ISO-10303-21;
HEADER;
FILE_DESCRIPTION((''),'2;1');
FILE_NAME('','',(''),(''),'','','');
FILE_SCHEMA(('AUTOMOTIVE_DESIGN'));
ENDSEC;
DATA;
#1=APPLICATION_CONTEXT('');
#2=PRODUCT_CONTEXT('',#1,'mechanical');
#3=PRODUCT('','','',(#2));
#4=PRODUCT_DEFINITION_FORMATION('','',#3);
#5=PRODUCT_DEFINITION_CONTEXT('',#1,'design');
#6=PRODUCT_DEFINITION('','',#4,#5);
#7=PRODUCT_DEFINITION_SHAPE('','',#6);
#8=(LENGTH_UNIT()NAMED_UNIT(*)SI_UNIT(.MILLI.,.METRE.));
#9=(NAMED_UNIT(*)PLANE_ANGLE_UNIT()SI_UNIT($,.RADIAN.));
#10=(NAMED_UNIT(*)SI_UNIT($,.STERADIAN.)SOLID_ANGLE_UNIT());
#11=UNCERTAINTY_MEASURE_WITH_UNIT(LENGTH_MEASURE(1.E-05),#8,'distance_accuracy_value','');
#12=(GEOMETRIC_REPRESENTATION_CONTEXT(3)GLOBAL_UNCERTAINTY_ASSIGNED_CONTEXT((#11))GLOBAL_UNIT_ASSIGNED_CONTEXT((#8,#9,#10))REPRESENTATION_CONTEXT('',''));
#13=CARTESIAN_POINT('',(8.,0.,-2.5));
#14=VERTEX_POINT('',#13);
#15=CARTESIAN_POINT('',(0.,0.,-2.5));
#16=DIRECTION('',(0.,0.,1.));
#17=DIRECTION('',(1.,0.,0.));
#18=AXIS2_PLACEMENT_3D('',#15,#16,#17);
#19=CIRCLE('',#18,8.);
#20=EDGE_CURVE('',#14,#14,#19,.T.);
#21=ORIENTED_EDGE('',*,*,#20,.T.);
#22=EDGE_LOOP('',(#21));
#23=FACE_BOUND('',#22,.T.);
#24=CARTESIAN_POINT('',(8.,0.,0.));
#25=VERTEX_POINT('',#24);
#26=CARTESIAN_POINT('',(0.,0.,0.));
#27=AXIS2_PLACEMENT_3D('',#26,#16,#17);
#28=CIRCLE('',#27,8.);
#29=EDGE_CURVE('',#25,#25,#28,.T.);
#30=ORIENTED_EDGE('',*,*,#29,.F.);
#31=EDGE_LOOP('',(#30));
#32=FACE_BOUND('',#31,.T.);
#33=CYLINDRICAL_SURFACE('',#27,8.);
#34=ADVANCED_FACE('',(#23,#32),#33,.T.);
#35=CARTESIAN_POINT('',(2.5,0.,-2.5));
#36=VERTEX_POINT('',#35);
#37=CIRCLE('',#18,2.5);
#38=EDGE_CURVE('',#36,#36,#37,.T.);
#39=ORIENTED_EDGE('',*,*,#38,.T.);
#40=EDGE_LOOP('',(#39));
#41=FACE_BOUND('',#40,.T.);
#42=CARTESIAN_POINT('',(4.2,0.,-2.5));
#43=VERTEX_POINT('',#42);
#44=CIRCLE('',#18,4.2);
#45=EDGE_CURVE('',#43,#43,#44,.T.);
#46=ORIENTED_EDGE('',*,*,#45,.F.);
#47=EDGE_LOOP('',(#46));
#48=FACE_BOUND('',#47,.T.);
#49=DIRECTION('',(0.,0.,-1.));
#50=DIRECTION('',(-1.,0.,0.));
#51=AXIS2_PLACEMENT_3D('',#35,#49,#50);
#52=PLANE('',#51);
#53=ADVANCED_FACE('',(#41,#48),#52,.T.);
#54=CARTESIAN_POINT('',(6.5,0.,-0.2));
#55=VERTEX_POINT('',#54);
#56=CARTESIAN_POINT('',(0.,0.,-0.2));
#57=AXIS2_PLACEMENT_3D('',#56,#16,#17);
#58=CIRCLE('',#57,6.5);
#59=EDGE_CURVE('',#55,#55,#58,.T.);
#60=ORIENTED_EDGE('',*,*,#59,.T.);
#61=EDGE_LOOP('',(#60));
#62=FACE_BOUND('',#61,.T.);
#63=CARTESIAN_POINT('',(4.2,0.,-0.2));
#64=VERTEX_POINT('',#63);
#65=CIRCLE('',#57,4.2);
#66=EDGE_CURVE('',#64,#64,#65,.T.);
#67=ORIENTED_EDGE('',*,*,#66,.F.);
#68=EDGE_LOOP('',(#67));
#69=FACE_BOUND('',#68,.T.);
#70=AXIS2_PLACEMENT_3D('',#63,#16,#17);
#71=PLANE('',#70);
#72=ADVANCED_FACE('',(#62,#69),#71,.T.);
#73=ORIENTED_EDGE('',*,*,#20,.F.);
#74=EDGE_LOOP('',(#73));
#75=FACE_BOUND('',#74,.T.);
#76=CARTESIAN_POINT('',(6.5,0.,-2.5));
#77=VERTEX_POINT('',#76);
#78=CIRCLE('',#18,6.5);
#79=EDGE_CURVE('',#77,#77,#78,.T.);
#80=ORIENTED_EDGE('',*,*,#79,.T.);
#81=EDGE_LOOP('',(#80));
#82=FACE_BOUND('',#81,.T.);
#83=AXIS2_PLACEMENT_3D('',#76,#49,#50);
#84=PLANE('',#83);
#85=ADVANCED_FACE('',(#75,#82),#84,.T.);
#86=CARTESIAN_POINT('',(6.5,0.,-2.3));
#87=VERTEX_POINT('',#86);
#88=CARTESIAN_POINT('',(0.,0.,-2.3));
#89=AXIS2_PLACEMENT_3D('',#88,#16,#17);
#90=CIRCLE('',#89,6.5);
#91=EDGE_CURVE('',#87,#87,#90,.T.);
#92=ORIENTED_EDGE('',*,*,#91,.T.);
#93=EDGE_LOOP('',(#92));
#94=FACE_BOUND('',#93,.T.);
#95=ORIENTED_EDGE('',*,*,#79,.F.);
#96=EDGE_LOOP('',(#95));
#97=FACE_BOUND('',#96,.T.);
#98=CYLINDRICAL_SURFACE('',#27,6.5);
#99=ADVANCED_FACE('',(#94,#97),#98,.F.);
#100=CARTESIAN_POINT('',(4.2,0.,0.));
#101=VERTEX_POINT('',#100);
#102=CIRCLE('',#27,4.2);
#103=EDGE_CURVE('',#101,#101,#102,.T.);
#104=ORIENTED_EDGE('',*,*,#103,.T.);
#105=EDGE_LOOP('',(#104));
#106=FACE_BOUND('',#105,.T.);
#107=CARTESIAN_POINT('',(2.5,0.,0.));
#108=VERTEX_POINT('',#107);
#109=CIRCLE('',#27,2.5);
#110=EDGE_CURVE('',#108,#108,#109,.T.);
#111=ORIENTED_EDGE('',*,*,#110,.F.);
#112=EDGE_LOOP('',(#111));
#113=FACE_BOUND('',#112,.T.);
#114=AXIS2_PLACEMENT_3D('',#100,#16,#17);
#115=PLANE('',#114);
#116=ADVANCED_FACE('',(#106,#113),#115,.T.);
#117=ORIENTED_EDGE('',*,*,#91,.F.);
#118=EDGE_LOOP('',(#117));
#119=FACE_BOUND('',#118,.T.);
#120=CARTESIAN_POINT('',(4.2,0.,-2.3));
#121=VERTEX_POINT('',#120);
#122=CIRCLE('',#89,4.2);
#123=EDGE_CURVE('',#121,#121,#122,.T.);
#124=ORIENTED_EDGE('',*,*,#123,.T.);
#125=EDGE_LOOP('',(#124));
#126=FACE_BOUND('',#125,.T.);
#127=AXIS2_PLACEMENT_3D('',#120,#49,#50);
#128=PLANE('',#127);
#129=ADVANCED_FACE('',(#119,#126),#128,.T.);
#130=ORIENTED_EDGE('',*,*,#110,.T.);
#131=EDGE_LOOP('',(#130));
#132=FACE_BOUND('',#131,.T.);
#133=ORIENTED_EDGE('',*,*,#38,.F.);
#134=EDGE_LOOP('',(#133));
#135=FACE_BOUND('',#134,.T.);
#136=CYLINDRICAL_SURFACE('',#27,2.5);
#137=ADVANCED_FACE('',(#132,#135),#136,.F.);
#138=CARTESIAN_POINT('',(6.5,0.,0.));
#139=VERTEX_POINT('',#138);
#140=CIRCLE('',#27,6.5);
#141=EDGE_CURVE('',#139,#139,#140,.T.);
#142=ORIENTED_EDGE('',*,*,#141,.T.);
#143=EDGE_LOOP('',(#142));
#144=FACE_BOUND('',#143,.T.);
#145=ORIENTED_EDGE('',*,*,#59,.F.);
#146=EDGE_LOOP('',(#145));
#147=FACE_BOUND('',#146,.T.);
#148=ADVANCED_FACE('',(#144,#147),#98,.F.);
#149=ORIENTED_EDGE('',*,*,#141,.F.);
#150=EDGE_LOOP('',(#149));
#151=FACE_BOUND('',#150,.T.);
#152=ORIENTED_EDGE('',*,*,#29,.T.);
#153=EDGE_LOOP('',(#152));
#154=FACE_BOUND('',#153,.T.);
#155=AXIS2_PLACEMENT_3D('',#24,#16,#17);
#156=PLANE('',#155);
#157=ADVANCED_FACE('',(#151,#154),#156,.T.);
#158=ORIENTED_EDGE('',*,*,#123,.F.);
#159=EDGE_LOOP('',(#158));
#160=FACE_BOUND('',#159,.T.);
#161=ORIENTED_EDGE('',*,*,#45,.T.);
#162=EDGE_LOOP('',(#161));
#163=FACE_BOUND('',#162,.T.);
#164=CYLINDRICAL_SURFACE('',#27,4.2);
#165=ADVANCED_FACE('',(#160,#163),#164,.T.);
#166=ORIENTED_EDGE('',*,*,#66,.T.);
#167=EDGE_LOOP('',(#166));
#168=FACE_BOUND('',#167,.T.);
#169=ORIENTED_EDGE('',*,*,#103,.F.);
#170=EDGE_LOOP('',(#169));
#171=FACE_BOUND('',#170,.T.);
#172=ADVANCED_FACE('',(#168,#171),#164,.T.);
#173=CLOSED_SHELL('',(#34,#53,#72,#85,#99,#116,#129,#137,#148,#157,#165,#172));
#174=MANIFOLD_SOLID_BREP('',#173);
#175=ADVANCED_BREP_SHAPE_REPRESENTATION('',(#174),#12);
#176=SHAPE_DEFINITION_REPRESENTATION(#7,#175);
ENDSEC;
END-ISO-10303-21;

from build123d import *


with BuildPart() as part:
    # Croquis1 → Revolución1 (revolve)
    with BuildSketch(Plane(origin=(0, 0, 0), x_dir=(1, 0, 0), z_dir=(0, 1, 0))):
        Polygon((2.5, 2.3), (2.5, 2.5), (4.2, 2.5), (4.2, 2.3), (6.5, 2.3), (6.5, 2.5), (8, 2.5), (8, 0), (6.5, 0), (6.5, 0.2), (4.2, 0.2), (4.2, 0), (2.5, 0), align=None)
    revolve(axis=Axis((0, 0, 0), (0, 0, -1)))


solid = part.part
